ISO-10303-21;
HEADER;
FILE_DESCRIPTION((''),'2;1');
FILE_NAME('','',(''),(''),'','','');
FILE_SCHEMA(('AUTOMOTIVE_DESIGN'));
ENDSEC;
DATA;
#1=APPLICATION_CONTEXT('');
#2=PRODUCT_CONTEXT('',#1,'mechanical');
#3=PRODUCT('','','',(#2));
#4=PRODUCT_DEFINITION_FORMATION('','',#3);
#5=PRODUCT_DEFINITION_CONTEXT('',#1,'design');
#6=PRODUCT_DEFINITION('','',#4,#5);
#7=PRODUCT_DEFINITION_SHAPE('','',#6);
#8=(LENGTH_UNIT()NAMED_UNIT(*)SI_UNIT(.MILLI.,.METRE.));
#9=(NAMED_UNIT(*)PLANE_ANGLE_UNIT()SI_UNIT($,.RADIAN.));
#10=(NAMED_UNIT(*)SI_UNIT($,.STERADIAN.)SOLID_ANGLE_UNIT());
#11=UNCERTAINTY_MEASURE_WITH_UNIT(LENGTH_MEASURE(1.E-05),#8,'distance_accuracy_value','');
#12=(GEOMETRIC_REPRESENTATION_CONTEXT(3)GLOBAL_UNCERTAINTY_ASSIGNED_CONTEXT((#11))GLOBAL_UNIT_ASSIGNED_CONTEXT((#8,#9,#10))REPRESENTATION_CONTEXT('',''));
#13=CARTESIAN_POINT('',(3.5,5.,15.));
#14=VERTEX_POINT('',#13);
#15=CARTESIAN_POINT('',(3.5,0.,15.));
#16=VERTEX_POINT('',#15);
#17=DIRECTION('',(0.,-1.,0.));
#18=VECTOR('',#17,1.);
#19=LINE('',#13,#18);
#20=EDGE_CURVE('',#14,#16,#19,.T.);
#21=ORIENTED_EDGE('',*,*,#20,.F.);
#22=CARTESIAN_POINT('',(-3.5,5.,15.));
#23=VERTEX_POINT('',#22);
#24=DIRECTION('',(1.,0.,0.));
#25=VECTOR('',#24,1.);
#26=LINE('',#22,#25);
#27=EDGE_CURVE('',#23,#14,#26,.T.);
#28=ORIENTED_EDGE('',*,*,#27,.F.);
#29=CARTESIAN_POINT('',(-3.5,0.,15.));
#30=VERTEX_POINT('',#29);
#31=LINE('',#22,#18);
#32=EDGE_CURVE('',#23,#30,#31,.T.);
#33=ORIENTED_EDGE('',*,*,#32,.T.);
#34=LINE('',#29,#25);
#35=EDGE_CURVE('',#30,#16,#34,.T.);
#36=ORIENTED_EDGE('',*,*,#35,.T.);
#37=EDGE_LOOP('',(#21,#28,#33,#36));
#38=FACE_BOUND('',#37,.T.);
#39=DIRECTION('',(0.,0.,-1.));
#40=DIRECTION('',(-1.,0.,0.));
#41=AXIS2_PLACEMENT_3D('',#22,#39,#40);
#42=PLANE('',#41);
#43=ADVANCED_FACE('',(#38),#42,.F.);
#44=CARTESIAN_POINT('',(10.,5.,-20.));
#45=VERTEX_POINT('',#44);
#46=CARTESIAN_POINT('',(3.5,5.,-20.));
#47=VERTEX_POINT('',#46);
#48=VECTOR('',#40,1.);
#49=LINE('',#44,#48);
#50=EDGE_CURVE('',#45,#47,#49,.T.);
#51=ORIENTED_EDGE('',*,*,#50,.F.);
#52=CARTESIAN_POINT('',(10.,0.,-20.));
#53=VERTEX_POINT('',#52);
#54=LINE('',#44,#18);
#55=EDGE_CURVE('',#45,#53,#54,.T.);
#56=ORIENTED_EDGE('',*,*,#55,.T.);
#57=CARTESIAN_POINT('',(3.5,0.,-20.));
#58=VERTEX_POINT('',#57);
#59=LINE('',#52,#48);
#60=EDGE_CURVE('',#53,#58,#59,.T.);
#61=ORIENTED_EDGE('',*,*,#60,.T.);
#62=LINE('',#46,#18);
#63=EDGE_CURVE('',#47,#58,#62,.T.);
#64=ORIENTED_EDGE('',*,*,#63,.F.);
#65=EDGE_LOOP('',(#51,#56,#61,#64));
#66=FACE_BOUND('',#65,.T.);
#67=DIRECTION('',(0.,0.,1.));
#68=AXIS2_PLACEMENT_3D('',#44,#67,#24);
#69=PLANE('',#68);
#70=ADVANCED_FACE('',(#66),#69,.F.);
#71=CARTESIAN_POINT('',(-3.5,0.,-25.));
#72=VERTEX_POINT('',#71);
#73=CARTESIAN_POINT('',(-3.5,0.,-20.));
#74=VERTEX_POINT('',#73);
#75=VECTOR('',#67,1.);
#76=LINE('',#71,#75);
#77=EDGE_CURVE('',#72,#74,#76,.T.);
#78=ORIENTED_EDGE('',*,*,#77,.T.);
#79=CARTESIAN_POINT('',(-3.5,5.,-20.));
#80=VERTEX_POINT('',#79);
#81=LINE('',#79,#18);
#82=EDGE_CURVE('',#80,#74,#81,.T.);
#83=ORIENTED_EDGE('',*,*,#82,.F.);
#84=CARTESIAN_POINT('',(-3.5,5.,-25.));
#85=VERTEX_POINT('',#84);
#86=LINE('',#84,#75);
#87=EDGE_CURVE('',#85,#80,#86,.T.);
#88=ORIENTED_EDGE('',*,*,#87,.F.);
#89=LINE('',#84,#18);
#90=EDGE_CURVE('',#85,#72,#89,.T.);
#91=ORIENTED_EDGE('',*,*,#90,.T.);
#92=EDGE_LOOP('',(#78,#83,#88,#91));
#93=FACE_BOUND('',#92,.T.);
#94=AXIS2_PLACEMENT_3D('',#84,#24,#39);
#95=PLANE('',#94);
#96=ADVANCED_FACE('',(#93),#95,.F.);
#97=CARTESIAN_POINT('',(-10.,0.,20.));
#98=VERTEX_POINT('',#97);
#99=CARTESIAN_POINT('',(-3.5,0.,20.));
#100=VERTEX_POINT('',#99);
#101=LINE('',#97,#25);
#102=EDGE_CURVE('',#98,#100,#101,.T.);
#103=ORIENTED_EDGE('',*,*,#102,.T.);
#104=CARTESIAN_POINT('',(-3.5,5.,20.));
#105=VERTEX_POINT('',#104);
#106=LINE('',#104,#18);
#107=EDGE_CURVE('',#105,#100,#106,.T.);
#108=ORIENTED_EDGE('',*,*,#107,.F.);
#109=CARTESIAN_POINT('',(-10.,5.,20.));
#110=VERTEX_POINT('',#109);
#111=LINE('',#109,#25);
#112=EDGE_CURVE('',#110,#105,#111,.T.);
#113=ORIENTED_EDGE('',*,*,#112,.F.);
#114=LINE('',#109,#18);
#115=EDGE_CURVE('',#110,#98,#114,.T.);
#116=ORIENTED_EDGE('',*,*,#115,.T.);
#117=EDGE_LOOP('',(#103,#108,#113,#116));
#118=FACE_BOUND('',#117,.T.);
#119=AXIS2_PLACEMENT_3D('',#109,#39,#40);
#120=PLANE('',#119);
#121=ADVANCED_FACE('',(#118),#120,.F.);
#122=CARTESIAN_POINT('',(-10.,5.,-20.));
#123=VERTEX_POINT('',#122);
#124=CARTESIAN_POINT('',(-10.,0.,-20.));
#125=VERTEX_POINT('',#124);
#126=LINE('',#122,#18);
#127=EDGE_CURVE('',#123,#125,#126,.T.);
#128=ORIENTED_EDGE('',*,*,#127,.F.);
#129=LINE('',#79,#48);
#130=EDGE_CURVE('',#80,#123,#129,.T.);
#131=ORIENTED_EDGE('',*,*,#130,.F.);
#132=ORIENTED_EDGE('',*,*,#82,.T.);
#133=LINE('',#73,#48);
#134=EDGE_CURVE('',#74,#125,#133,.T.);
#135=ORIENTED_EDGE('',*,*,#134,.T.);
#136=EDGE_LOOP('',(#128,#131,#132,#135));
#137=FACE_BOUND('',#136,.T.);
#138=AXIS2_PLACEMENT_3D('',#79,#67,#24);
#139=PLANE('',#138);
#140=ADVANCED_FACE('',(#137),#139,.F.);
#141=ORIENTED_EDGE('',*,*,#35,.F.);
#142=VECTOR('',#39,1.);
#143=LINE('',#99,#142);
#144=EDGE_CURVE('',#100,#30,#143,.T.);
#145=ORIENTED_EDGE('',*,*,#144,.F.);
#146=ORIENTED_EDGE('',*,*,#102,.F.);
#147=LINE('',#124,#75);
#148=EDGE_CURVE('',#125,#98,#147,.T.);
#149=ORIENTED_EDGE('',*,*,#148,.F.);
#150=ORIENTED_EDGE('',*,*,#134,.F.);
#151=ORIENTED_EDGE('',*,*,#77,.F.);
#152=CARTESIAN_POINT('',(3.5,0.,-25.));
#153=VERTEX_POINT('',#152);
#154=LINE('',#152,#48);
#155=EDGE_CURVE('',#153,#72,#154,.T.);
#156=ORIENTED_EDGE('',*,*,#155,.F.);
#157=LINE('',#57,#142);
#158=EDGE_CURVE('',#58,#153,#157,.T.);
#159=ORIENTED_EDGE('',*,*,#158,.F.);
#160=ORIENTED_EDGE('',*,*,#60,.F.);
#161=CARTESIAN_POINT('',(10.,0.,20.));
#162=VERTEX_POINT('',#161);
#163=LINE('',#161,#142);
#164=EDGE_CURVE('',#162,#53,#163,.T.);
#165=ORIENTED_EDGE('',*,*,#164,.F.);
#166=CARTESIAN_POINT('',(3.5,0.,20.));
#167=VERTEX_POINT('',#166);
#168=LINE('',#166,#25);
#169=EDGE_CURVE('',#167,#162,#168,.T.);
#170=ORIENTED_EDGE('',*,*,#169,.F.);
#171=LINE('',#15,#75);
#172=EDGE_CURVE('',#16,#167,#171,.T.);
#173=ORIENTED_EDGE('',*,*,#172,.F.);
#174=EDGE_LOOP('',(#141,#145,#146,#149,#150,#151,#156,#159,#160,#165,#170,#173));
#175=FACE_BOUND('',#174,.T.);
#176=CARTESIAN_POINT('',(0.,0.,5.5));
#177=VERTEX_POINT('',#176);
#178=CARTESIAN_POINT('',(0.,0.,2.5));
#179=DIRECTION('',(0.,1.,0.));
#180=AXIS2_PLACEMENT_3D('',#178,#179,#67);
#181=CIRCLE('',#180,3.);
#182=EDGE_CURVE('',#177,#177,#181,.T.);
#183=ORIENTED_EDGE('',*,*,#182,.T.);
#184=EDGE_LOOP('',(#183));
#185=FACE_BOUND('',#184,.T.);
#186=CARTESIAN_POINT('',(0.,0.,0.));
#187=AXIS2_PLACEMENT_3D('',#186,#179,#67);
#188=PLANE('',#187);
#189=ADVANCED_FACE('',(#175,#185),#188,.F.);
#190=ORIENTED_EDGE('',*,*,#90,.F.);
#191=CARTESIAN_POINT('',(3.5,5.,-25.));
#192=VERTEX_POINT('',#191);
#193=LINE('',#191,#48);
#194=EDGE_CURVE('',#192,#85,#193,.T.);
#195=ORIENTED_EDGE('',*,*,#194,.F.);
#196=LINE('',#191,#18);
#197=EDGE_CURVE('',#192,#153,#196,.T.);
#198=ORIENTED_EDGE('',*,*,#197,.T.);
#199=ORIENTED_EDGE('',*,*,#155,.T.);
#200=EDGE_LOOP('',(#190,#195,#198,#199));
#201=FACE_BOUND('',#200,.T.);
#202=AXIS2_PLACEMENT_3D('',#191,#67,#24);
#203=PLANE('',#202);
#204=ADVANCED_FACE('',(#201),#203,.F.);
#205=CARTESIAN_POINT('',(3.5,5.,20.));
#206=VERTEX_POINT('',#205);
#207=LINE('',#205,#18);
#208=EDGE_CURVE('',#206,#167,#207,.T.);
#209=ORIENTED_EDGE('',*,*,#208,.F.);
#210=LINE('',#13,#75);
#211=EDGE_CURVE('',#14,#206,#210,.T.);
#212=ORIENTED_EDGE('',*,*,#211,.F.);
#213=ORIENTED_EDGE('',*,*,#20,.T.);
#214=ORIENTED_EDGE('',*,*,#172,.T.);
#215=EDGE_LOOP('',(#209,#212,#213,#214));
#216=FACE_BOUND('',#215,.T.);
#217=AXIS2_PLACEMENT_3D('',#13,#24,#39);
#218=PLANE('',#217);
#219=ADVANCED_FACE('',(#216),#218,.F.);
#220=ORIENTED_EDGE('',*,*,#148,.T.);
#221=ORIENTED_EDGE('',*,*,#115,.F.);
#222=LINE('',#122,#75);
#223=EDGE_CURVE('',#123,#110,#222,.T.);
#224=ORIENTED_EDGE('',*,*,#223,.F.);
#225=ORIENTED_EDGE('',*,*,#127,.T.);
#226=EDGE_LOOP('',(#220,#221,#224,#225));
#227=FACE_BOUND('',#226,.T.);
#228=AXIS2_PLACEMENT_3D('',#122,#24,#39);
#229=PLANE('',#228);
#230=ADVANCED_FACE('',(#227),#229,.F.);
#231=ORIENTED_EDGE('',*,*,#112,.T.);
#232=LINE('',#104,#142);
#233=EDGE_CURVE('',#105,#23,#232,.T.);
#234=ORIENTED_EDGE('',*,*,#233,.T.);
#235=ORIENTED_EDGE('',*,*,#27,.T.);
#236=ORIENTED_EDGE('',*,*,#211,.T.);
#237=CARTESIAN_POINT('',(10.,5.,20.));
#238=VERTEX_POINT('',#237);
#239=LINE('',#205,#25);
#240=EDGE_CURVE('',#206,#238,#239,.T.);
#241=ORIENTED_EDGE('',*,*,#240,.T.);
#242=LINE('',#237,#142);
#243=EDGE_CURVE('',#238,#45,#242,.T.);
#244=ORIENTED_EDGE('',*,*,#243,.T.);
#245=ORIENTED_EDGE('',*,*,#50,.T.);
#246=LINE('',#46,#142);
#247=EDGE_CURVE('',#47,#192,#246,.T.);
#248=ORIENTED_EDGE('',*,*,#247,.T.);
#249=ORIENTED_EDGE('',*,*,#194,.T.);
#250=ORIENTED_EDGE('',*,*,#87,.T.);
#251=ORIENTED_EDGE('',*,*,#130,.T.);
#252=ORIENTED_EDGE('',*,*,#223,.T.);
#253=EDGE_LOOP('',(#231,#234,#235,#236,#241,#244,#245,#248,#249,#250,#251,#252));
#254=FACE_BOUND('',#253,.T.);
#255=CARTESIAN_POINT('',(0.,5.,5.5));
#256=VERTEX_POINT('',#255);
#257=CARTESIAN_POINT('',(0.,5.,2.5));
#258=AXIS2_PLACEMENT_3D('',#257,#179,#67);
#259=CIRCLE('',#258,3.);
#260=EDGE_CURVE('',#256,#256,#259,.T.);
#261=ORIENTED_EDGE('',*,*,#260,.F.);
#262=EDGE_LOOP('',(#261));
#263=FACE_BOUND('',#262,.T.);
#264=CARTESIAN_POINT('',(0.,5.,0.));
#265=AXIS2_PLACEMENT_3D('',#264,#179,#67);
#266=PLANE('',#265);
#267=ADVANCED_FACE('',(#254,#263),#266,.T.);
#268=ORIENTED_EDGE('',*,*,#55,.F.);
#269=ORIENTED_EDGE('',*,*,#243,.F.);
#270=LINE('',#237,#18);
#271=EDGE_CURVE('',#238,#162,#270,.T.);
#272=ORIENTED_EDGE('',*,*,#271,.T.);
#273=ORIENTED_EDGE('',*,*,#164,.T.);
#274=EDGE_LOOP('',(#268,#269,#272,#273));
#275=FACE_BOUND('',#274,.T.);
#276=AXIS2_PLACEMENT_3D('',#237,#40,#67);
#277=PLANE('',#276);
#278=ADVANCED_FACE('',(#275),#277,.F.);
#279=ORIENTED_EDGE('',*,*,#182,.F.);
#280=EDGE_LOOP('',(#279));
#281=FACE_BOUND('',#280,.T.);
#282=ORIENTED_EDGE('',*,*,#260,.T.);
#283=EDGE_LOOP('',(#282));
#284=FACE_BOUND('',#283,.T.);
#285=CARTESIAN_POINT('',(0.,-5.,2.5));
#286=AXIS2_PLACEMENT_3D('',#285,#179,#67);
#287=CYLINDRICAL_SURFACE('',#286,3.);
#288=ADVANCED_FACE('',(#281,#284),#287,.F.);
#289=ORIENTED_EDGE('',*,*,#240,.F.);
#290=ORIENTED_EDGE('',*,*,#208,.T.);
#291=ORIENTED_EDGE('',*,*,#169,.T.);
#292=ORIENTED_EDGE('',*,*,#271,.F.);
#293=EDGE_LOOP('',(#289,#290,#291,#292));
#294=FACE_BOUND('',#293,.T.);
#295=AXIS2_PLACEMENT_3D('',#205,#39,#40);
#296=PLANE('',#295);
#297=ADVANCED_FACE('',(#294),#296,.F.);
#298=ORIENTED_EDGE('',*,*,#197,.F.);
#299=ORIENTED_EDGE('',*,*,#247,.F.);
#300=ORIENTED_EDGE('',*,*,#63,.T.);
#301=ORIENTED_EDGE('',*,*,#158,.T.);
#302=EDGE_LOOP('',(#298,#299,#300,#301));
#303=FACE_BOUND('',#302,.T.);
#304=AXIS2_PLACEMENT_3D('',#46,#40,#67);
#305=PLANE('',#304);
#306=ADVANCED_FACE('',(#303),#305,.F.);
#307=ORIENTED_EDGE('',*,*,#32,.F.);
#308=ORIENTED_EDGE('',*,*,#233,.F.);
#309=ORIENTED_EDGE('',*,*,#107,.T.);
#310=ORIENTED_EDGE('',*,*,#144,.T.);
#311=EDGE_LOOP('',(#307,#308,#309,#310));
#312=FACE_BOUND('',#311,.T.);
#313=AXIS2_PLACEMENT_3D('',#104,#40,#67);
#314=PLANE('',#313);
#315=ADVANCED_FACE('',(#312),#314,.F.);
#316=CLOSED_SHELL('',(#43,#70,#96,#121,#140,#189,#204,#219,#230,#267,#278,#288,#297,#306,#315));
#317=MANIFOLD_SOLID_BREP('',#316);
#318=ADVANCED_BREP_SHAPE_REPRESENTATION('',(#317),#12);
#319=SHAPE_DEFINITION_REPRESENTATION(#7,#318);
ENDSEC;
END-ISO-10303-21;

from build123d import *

# Parameters (mm, degrees)
BOSS_EXTRUDE1_DEPTH = 5
SKETCH2_R           = 3
CUT_EXTRUDE1_DEPTH  = 10


with BuildPart() as part:
    # Sketch1 → Boss-Extrude1 (new body)
    with BuildSketch(Plane(origin=(0, 0, 0), x_dir=(1, 0, 0), z_dir=(0, 1, 0))):
        Polygon((-10, 20), (-10, -20), (-3.5, -20), (-3.5, -15), (3.5, -15), (3.5, -20), (10, -20), (10, 20), (3.5, 20), (3.5, 25), (-3.5, 25), (-3.5, 20), align=None)
    extrude(amount=BOSS_EXTRUDE1_DEPTH)

    # Sketch2 → Cut-Extrude1 (cut)
    with BuildSketch(Plane(origin=(0, 5, 0), x_dir=(1, 0, 0), z_dir=(0, 1, 0))):
        with Locations(Location((0, -2.5, 0), (0, 0, 270))):
            Circle(SKETCH2_R)
    extrude(amount=-CUT_EXTRUDE1_DEPTH, mode=Mode.SUBTRACT)


solid = part.part
